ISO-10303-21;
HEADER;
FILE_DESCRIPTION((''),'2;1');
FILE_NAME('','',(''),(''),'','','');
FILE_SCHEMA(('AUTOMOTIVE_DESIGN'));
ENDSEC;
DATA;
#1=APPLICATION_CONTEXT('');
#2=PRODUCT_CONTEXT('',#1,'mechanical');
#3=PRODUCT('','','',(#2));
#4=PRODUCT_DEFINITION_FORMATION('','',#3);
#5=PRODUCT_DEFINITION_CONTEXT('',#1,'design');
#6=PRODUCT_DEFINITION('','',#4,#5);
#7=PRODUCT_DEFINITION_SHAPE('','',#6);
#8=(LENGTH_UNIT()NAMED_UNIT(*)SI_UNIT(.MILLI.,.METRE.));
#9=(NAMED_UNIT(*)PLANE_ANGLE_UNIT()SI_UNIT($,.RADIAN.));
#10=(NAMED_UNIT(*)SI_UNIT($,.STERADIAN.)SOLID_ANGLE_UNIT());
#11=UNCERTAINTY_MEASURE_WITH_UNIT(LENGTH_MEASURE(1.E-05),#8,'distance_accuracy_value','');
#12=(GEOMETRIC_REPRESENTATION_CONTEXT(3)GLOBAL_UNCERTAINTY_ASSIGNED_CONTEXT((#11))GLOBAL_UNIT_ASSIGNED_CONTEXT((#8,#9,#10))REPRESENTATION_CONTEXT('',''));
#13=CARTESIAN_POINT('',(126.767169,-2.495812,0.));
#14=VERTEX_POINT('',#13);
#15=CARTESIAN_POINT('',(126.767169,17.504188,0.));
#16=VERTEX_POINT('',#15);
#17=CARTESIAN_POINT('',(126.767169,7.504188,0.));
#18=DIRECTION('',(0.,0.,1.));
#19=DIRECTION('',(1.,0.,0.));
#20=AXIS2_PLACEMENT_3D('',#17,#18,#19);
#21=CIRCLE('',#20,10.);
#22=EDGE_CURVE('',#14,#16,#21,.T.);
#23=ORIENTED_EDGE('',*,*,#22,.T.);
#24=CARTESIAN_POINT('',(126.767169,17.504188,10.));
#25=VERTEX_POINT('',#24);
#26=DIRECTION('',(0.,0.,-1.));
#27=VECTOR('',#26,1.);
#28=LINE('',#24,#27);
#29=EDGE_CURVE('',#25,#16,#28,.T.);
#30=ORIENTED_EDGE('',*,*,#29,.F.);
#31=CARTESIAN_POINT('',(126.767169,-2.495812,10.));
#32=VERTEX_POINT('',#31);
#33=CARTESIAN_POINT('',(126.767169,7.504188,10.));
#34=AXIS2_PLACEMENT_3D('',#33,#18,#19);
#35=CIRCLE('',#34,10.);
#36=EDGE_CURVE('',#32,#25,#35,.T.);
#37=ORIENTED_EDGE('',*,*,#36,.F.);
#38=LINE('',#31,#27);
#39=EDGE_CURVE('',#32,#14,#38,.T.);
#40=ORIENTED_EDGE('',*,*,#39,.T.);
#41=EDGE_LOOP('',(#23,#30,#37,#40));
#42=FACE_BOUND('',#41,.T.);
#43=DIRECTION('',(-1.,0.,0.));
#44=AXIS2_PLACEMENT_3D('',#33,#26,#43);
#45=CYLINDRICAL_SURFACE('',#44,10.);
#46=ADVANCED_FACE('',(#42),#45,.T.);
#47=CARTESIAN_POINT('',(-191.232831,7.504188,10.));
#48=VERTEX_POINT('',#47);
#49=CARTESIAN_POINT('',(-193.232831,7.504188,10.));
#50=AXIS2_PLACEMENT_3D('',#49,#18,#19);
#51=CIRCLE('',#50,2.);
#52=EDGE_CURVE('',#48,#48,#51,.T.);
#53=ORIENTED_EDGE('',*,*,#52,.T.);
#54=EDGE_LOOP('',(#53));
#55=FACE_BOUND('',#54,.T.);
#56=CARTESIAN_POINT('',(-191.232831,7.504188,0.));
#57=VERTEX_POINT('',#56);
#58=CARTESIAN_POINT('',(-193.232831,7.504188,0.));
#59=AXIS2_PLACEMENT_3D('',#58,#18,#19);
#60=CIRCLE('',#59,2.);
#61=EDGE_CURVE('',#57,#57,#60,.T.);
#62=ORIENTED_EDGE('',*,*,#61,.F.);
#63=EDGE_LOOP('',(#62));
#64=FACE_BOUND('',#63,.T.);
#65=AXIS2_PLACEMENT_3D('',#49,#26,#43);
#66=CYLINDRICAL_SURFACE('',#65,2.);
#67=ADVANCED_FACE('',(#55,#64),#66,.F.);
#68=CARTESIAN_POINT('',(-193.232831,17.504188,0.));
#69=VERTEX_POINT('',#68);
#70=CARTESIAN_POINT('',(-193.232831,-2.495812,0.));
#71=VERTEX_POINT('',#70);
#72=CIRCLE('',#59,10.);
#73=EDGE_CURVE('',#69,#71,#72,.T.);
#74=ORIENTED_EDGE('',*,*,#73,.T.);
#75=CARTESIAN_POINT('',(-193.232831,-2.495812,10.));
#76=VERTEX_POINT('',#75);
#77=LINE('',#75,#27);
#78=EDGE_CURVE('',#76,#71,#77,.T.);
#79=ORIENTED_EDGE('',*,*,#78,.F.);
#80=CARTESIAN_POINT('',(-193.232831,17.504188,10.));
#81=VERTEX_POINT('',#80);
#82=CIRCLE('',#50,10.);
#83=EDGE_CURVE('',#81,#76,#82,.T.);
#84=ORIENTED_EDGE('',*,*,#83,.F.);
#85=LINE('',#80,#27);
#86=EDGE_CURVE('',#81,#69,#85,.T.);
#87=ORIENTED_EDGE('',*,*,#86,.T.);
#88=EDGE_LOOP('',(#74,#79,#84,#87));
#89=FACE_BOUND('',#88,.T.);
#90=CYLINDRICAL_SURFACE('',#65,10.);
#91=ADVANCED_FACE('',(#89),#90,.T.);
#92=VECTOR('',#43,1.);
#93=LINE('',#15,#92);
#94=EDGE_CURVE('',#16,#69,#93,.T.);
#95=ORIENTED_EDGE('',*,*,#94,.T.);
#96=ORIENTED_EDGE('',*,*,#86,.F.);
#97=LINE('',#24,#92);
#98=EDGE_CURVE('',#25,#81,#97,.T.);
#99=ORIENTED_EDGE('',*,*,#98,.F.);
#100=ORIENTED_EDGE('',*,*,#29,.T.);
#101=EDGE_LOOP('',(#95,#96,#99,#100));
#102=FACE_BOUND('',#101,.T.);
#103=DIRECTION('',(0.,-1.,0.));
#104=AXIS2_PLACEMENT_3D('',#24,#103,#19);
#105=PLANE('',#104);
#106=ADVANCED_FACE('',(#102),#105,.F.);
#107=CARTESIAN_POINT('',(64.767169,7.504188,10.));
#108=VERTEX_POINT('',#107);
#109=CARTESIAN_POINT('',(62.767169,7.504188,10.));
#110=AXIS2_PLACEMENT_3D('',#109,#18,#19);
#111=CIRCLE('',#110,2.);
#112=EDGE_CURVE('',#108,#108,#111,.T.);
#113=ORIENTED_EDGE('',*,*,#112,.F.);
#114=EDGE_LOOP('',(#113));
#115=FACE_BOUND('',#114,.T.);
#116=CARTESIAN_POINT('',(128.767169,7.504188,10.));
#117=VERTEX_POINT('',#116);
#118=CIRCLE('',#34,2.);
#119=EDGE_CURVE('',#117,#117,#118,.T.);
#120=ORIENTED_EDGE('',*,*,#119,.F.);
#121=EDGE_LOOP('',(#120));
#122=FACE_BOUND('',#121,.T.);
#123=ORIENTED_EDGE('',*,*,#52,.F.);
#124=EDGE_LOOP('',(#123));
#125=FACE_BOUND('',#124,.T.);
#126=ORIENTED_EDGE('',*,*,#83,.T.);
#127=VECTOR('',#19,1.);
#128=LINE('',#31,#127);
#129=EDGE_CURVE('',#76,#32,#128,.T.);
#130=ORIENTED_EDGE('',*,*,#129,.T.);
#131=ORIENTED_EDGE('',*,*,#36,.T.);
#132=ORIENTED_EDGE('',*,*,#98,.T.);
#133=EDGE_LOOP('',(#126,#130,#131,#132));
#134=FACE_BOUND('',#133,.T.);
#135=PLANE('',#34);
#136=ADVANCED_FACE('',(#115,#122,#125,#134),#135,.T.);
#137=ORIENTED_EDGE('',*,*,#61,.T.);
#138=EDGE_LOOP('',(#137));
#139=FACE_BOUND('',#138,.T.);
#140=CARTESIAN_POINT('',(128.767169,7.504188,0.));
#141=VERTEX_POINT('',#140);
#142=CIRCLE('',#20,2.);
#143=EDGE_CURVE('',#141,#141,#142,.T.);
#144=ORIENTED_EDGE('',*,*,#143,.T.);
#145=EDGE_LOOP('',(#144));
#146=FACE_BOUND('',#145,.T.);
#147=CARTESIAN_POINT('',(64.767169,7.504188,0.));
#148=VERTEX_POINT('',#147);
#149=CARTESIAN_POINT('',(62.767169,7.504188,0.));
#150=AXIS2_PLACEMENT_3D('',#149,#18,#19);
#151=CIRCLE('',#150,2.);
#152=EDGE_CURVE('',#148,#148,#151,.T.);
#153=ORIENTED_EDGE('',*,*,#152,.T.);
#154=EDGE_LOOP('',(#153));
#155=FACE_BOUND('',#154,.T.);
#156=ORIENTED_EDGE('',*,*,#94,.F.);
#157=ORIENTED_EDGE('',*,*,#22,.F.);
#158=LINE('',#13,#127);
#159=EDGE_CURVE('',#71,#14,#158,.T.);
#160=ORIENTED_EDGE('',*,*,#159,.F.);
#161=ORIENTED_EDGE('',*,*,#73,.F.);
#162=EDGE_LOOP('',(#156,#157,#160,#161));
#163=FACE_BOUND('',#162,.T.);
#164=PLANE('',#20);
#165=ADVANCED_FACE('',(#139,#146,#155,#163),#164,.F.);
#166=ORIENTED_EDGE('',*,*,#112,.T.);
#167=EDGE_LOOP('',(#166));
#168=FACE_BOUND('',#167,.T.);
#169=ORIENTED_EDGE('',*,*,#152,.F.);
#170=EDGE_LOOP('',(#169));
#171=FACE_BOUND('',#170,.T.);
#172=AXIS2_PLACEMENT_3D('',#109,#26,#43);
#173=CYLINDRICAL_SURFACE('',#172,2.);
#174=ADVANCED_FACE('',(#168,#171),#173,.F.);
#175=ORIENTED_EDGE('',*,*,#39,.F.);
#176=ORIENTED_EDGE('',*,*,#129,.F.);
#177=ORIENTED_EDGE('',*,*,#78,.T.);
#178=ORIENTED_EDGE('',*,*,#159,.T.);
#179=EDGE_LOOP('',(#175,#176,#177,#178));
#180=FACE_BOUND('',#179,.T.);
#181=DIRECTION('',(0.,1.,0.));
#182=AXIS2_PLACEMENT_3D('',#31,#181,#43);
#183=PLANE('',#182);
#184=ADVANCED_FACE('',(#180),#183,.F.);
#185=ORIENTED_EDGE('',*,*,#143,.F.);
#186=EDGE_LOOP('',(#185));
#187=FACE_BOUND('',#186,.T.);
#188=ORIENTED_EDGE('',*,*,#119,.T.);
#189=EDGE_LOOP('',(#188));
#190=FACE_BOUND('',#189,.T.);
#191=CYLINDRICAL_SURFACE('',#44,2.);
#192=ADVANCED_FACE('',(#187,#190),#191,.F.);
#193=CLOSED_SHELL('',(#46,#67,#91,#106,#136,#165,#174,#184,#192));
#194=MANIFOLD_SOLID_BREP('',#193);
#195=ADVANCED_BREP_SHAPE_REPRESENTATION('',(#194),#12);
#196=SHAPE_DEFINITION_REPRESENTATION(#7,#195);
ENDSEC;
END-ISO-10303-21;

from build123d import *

# Parameters (mm, degrees)
SKETCH1_R           = 2
BOSS_EXTRUDE1_DEPTH = 10


with BuildPart() as part:
    # Sketch1 → Boss-Extrude1 (new body)
    with BuildSketch(Plane.XY):
        with BuildLine():
            Line((126.767169179, -2.495812395), (-193.232830821, -2.495812395))
            ThreePointArc((-193.232830821, -2.495812395), (-203.232830821, 7.504187605), (-193.232830821, 17.504187605))
            Line((-193.232830821, 17.504187605), (126.767169179, 17.504187605))
            ThreePointArc((126.767169179, 17.504187605), (136.767169179, 7.504187605), (126.767169179, -2.495812395))
        make_face()
        with Locations((-193.232830821, 7.504187605)):
            Circle(SKETCH1_R, mode=Mode.SUBTRACT)
        with Locations((126.767169179, 7.504187605)):
            Circle(SKETCH1_R, mode=Mode.SUBTRACT)
        with Locations((62.767169179, 7.504187605)):
            Circle(SKETCH1_R, mode=Mode.SUBTRACT)
    extrude(amount=BOSS_EXTRUDE1_DEPTH)


solid = part.part
